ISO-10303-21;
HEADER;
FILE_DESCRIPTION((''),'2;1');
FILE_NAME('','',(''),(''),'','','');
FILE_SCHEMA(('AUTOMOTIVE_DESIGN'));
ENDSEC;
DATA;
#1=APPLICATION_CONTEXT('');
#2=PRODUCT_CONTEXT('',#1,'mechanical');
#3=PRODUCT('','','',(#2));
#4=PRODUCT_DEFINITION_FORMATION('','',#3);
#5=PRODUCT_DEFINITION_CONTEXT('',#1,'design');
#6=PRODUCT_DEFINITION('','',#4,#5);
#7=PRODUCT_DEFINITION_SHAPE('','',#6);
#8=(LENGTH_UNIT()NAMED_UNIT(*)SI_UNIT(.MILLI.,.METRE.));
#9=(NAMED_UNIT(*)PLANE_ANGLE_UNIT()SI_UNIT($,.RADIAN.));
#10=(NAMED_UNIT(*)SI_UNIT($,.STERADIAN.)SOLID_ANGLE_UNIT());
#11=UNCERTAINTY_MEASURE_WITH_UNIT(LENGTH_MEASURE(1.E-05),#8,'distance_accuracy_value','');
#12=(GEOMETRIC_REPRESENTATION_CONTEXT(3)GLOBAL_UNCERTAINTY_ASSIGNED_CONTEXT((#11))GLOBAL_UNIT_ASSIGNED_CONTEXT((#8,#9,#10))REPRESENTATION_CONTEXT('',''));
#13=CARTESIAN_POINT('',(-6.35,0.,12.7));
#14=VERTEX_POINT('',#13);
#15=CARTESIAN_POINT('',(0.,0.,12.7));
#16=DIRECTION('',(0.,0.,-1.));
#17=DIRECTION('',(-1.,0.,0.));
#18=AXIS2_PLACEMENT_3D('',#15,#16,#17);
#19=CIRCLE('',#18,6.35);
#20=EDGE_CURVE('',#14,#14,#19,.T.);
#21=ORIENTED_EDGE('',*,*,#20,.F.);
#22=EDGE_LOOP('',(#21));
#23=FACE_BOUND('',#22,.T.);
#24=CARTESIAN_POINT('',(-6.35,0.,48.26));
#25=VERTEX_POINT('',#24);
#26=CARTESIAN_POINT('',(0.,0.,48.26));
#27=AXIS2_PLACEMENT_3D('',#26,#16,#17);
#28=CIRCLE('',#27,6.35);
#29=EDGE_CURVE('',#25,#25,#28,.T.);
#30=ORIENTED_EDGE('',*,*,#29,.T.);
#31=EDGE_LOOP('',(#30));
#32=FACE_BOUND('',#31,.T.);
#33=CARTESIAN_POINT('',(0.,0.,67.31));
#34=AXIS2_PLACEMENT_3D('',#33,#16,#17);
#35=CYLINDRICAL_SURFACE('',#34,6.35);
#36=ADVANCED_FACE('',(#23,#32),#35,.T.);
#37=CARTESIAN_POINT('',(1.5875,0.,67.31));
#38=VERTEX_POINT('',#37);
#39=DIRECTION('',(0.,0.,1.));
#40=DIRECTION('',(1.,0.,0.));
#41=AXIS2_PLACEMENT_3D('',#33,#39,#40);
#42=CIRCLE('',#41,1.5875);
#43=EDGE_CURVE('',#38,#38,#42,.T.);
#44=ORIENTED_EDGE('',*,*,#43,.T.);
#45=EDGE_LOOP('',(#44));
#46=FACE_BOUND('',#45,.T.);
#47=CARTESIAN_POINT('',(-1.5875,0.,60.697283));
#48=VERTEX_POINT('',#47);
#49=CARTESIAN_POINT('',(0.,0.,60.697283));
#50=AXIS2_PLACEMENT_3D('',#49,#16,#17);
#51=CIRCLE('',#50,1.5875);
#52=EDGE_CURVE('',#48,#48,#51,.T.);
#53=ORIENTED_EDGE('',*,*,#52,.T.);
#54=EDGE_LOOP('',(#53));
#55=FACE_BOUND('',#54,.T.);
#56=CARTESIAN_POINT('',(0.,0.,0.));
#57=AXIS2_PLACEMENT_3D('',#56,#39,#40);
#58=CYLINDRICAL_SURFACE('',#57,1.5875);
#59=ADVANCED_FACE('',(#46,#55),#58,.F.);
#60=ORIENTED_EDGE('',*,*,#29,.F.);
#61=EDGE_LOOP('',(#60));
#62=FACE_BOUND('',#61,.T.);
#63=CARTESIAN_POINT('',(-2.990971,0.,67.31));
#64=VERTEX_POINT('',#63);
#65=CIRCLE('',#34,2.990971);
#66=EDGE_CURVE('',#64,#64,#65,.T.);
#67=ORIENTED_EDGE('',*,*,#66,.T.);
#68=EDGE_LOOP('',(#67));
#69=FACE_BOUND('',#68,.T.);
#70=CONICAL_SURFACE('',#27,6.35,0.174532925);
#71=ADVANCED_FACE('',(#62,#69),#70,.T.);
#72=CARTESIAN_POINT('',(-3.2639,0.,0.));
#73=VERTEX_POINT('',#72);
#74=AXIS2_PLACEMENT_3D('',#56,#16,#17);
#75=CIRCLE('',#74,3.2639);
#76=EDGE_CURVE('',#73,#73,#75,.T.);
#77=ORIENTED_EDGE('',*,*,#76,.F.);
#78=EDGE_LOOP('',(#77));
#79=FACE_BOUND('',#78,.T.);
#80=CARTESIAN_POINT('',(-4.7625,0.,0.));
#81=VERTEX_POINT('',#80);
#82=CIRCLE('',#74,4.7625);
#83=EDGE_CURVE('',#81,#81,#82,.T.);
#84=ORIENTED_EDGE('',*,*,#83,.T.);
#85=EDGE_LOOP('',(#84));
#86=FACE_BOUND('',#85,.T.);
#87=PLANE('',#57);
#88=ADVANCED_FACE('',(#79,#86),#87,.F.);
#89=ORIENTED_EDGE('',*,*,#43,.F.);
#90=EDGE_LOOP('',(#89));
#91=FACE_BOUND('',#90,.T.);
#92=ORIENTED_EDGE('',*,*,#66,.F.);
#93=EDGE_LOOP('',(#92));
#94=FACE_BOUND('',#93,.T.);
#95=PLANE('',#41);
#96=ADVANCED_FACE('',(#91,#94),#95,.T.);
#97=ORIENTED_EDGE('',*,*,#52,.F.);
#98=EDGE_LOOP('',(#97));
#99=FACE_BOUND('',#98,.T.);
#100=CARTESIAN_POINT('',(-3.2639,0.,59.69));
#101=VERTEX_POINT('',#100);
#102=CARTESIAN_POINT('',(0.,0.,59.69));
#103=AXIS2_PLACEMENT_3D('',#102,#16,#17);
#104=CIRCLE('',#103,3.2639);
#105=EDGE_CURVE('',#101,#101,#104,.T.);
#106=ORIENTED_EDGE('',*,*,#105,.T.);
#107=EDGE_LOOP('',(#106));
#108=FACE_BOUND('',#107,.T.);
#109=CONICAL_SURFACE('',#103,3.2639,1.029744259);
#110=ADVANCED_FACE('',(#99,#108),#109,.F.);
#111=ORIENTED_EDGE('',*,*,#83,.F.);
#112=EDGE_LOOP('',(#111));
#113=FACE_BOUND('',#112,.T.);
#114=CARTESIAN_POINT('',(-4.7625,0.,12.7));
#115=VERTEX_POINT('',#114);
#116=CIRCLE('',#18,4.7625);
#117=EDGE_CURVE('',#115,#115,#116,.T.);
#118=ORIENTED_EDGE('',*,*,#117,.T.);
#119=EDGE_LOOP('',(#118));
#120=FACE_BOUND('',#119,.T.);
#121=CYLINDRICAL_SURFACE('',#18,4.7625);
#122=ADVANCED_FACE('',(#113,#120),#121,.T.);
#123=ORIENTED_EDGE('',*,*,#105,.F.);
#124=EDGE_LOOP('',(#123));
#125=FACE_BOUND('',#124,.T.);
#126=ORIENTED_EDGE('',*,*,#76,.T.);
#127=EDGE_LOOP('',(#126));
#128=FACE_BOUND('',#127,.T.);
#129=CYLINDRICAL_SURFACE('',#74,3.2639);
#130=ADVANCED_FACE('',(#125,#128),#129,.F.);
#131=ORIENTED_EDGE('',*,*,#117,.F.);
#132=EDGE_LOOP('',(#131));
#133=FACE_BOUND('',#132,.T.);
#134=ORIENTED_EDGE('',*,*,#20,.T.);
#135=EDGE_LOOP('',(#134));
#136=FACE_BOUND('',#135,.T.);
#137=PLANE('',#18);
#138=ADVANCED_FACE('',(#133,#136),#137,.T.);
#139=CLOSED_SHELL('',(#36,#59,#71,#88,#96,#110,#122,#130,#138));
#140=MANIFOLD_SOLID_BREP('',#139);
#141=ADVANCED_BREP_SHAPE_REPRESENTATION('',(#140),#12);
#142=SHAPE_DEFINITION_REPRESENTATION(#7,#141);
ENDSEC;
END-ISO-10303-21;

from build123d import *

# Parameters (mm, degrees)
SKETCH1_R                       = 6.35
BOSS_EXTRUDE1_DEPTH             = 67.31
SKETCH8_R                       = 1.5875
CUT_EXTRUDE1_DEPTH              = 68.31
SKETCH10_R                      = 6.35
SKETCH10_R_2                    = 4.7625
CUT_EXTRUDE2_DEPTH              = 12.7
F_1_4_0_25_DIAMETER_HOLE1_D     = 6.5278
F_1_4_0_25_DIAMETER_HOLE1_DEPTH = 59.69
F_1_4_0_25_DIAMETER_HOLE1_TIP   = 1.961148974


with BuildPart() as part:
    # Sketch1 → Boss-Extrude1 (new body)
    with BuildSketch(Plane.XY):
        Circle(SKETCH1_R)
    extrude(amount=BOSS_EXTRUDE1_DEPTH)

    # Sketch7 → Cut-Revolve1 (revolve, cut)
    with BuildSketch(Plane(origin=(0, 0, 0), x_dir=(1, 0, 0), z_dir=(0, 1, 0))):
        Polygon((6.35, -67.31), (6.35, -48.26), (2.990971018, -67.31), align=None)
    revolve(axis=Axis((0, 0, -47.573976859), (0, 0, 1)), mode=Mode.SUBTRACT)

    # Sketch8 → Cut-Extrude1 (cut, through all)
    with BuildSketch(Plane.XY.offset(67.31)):
        Circle(SKETCH8_R)
    extrude(amount=-CUT_EXTRUDE1_DEPTH, mode=Mode.SUBTRACT)

    # Sketch10 → Cut-Extrude2 (cut)
    with BuildSketch(Plane(origin=(0, 0, 0), x_dir=(-1, 0, 0), z_dir=(0, 0, -1))):
        Circle(SKETCH10_R)
        Circle(SKETCH10_R_2, mode=Mode.SUBTRACT)
    extrude(amount=-CUT_EXTRUDE2_DEPTH, mode=Mode.SUBTRACT)

    # 1/4 (0.25) Diameter Hole1
    with Locations(Plane(origin=(0, 0, 0), x_dir=(-1, 0, 0), z_dir=(0, 0, -1))):
        with Locations((0, 0)):
            Hole(F_1_4_0_25_DIAMETER_HOLE1_D / 2, depth=F_1_4_0_25_DIAMETER_HOLE1_DEPTH)
            with Locations((0, 0, -(F_1_4_0_25_DIAMETER_HOLE1_DEPTH + F_1_4_0_25_DIAMETER_HOLE1_TIP / 2))):  # 118° drill point
                Cone(0, F_1_4_0_25_DIAMETER_HOLE1_D / 2, F_1_4_0_25_DIAMETER_HOLE1_TIP, mode=Mode.SUBTRACT)


solid = part.part
